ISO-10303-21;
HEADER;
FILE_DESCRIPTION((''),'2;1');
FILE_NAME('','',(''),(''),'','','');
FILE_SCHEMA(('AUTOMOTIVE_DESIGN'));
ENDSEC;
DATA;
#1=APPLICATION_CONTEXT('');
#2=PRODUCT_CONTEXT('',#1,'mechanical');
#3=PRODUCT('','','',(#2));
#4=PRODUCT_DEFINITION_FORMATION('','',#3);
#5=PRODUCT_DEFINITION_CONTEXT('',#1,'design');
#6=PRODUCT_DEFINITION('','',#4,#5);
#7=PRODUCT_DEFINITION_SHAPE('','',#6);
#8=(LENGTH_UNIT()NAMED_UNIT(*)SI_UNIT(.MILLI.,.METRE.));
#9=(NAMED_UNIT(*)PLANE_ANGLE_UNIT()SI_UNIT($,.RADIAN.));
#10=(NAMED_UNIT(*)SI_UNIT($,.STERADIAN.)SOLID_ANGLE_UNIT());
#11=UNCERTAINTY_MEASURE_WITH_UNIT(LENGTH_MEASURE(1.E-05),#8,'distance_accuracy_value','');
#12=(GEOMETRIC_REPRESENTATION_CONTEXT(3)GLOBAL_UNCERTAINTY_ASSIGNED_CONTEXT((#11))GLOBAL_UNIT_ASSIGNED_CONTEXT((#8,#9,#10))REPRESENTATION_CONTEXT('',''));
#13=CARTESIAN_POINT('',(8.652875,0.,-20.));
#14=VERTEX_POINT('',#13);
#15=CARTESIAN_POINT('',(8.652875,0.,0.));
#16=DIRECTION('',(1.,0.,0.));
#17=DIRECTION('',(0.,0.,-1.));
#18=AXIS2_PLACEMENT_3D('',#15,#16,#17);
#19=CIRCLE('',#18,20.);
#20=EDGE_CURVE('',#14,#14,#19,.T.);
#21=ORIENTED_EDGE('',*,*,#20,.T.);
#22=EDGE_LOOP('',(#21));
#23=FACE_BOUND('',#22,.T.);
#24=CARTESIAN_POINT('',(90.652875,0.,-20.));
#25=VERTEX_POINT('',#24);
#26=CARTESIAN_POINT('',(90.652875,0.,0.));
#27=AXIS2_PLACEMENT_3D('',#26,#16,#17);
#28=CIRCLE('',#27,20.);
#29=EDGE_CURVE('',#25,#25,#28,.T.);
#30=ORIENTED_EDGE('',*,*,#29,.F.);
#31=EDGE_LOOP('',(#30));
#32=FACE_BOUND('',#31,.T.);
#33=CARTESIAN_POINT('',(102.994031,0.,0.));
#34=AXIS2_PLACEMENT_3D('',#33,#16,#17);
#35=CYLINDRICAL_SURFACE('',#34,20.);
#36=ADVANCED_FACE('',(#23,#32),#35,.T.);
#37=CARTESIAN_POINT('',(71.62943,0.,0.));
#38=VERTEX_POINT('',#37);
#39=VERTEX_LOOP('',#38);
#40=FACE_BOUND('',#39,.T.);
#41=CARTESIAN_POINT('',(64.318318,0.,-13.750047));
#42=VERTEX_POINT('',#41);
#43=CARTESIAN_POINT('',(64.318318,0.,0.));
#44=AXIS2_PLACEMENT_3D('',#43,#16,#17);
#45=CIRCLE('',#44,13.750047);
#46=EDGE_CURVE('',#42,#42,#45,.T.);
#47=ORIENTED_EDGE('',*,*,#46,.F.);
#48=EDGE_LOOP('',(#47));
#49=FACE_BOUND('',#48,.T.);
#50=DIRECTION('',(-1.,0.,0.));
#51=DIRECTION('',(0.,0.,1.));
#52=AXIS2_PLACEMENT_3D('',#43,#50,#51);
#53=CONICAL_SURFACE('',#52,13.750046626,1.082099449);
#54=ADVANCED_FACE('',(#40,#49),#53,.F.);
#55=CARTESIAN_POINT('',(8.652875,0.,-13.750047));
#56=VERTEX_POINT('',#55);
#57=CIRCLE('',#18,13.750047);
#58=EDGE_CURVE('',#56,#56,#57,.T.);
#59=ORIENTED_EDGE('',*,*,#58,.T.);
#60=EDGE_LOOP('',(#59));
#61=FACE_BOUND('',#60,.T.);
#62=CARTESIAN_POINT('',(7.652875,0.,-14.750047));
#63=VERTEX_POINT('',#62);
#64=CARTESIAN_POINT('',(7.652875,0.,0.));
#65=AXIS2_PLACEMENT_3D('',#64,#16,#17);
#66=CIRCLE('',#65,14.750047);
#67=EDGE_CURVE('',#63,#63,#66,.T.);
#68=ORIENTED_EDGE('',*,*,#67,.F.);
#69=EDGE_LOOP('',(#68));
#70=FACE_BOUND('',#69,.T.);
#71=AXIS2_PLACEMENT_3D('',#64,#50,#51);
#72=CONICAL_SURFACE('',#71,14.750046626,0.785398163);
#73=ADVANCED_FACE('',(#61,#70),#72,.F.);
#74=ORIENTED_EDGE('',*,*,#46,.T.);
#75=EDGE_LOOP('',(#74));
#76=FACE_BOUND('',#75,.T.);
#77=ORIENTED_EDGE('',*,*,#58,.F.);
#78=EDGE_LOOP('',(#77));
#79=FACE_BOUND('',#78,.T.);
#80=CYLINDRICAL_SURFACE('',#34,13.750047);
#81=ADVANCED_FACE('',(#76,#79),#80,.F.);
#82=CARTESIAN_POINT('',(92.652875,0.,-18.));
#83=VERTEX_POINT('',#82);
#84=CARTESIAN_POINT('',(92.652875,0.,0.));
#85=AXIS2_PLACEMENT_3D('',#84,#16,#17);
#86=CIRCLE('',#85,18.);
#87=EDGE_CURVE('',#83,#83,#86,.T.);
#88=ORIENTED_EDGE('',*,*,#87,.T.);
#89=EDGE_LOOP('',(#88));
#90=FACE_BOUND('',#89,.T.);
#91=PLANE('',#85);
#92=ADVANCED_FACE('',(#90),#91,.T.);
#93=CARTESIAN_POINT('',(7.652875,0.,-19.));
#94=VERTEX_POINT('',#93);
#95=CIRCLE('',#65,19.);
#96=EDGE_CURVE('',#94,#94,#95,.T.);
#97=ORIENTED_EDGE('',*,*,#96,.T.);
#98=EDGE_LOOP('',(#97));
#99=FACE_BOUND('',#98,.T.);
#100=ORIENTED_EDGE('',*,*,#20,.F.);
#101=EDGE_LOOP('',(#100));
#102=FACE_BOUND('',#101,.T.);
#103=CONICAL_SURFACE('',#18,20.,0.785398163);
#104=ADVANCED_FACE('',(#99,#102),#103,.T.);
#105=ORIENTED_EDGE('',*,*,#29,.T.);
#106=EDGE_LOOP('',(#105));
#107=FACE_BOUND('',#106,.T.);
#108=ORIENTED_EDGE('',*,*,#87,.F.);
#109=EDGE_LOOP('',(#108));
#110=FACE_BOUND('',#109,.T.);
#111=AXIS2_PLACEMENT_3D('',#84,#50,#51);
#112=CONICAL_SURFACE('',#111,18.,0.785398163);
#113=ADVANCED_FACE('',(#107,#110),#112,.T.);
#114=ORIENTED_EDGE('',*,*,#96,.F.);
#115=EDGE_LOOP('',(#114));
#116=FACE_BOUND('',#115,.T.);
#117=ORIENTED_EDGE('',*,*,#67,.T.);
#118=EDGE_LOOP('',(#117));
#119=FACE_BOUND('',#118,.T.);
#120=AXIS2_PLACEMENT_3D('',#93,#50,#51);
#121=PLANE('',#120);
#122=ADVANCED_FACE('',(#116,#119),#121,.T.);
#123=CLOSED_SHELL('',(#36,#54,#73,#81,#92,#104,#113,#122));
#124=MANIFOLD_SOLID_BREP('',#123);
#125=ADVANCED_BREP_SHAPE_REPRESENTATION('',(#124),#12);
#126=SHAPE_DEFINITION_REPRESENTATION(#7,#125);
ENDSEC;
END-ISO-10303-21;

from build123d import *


with BuildPart() as part:
    # Эскиз1 → Повернуть1 (revolve)
    with BuildSketch(Plane(origin=(0, 0, 0), x_dir=(1, 0, 0), z_dir=(0, 1, 0))):
        Polygon((92.65287472, 0), (92.65287472, 18), (90.65287472, 20), (8.65287472, 20), (7.65287472, 19), (7.65287472, 14.750046626), (8.65287472, 13.750046626), (64.318317571, 13.750046626), (71.629429714, 0), align=None)
    revolve(axis=Axis((102.994030824, 0, 0), (-1, 0, 0)))


solid = part.part
